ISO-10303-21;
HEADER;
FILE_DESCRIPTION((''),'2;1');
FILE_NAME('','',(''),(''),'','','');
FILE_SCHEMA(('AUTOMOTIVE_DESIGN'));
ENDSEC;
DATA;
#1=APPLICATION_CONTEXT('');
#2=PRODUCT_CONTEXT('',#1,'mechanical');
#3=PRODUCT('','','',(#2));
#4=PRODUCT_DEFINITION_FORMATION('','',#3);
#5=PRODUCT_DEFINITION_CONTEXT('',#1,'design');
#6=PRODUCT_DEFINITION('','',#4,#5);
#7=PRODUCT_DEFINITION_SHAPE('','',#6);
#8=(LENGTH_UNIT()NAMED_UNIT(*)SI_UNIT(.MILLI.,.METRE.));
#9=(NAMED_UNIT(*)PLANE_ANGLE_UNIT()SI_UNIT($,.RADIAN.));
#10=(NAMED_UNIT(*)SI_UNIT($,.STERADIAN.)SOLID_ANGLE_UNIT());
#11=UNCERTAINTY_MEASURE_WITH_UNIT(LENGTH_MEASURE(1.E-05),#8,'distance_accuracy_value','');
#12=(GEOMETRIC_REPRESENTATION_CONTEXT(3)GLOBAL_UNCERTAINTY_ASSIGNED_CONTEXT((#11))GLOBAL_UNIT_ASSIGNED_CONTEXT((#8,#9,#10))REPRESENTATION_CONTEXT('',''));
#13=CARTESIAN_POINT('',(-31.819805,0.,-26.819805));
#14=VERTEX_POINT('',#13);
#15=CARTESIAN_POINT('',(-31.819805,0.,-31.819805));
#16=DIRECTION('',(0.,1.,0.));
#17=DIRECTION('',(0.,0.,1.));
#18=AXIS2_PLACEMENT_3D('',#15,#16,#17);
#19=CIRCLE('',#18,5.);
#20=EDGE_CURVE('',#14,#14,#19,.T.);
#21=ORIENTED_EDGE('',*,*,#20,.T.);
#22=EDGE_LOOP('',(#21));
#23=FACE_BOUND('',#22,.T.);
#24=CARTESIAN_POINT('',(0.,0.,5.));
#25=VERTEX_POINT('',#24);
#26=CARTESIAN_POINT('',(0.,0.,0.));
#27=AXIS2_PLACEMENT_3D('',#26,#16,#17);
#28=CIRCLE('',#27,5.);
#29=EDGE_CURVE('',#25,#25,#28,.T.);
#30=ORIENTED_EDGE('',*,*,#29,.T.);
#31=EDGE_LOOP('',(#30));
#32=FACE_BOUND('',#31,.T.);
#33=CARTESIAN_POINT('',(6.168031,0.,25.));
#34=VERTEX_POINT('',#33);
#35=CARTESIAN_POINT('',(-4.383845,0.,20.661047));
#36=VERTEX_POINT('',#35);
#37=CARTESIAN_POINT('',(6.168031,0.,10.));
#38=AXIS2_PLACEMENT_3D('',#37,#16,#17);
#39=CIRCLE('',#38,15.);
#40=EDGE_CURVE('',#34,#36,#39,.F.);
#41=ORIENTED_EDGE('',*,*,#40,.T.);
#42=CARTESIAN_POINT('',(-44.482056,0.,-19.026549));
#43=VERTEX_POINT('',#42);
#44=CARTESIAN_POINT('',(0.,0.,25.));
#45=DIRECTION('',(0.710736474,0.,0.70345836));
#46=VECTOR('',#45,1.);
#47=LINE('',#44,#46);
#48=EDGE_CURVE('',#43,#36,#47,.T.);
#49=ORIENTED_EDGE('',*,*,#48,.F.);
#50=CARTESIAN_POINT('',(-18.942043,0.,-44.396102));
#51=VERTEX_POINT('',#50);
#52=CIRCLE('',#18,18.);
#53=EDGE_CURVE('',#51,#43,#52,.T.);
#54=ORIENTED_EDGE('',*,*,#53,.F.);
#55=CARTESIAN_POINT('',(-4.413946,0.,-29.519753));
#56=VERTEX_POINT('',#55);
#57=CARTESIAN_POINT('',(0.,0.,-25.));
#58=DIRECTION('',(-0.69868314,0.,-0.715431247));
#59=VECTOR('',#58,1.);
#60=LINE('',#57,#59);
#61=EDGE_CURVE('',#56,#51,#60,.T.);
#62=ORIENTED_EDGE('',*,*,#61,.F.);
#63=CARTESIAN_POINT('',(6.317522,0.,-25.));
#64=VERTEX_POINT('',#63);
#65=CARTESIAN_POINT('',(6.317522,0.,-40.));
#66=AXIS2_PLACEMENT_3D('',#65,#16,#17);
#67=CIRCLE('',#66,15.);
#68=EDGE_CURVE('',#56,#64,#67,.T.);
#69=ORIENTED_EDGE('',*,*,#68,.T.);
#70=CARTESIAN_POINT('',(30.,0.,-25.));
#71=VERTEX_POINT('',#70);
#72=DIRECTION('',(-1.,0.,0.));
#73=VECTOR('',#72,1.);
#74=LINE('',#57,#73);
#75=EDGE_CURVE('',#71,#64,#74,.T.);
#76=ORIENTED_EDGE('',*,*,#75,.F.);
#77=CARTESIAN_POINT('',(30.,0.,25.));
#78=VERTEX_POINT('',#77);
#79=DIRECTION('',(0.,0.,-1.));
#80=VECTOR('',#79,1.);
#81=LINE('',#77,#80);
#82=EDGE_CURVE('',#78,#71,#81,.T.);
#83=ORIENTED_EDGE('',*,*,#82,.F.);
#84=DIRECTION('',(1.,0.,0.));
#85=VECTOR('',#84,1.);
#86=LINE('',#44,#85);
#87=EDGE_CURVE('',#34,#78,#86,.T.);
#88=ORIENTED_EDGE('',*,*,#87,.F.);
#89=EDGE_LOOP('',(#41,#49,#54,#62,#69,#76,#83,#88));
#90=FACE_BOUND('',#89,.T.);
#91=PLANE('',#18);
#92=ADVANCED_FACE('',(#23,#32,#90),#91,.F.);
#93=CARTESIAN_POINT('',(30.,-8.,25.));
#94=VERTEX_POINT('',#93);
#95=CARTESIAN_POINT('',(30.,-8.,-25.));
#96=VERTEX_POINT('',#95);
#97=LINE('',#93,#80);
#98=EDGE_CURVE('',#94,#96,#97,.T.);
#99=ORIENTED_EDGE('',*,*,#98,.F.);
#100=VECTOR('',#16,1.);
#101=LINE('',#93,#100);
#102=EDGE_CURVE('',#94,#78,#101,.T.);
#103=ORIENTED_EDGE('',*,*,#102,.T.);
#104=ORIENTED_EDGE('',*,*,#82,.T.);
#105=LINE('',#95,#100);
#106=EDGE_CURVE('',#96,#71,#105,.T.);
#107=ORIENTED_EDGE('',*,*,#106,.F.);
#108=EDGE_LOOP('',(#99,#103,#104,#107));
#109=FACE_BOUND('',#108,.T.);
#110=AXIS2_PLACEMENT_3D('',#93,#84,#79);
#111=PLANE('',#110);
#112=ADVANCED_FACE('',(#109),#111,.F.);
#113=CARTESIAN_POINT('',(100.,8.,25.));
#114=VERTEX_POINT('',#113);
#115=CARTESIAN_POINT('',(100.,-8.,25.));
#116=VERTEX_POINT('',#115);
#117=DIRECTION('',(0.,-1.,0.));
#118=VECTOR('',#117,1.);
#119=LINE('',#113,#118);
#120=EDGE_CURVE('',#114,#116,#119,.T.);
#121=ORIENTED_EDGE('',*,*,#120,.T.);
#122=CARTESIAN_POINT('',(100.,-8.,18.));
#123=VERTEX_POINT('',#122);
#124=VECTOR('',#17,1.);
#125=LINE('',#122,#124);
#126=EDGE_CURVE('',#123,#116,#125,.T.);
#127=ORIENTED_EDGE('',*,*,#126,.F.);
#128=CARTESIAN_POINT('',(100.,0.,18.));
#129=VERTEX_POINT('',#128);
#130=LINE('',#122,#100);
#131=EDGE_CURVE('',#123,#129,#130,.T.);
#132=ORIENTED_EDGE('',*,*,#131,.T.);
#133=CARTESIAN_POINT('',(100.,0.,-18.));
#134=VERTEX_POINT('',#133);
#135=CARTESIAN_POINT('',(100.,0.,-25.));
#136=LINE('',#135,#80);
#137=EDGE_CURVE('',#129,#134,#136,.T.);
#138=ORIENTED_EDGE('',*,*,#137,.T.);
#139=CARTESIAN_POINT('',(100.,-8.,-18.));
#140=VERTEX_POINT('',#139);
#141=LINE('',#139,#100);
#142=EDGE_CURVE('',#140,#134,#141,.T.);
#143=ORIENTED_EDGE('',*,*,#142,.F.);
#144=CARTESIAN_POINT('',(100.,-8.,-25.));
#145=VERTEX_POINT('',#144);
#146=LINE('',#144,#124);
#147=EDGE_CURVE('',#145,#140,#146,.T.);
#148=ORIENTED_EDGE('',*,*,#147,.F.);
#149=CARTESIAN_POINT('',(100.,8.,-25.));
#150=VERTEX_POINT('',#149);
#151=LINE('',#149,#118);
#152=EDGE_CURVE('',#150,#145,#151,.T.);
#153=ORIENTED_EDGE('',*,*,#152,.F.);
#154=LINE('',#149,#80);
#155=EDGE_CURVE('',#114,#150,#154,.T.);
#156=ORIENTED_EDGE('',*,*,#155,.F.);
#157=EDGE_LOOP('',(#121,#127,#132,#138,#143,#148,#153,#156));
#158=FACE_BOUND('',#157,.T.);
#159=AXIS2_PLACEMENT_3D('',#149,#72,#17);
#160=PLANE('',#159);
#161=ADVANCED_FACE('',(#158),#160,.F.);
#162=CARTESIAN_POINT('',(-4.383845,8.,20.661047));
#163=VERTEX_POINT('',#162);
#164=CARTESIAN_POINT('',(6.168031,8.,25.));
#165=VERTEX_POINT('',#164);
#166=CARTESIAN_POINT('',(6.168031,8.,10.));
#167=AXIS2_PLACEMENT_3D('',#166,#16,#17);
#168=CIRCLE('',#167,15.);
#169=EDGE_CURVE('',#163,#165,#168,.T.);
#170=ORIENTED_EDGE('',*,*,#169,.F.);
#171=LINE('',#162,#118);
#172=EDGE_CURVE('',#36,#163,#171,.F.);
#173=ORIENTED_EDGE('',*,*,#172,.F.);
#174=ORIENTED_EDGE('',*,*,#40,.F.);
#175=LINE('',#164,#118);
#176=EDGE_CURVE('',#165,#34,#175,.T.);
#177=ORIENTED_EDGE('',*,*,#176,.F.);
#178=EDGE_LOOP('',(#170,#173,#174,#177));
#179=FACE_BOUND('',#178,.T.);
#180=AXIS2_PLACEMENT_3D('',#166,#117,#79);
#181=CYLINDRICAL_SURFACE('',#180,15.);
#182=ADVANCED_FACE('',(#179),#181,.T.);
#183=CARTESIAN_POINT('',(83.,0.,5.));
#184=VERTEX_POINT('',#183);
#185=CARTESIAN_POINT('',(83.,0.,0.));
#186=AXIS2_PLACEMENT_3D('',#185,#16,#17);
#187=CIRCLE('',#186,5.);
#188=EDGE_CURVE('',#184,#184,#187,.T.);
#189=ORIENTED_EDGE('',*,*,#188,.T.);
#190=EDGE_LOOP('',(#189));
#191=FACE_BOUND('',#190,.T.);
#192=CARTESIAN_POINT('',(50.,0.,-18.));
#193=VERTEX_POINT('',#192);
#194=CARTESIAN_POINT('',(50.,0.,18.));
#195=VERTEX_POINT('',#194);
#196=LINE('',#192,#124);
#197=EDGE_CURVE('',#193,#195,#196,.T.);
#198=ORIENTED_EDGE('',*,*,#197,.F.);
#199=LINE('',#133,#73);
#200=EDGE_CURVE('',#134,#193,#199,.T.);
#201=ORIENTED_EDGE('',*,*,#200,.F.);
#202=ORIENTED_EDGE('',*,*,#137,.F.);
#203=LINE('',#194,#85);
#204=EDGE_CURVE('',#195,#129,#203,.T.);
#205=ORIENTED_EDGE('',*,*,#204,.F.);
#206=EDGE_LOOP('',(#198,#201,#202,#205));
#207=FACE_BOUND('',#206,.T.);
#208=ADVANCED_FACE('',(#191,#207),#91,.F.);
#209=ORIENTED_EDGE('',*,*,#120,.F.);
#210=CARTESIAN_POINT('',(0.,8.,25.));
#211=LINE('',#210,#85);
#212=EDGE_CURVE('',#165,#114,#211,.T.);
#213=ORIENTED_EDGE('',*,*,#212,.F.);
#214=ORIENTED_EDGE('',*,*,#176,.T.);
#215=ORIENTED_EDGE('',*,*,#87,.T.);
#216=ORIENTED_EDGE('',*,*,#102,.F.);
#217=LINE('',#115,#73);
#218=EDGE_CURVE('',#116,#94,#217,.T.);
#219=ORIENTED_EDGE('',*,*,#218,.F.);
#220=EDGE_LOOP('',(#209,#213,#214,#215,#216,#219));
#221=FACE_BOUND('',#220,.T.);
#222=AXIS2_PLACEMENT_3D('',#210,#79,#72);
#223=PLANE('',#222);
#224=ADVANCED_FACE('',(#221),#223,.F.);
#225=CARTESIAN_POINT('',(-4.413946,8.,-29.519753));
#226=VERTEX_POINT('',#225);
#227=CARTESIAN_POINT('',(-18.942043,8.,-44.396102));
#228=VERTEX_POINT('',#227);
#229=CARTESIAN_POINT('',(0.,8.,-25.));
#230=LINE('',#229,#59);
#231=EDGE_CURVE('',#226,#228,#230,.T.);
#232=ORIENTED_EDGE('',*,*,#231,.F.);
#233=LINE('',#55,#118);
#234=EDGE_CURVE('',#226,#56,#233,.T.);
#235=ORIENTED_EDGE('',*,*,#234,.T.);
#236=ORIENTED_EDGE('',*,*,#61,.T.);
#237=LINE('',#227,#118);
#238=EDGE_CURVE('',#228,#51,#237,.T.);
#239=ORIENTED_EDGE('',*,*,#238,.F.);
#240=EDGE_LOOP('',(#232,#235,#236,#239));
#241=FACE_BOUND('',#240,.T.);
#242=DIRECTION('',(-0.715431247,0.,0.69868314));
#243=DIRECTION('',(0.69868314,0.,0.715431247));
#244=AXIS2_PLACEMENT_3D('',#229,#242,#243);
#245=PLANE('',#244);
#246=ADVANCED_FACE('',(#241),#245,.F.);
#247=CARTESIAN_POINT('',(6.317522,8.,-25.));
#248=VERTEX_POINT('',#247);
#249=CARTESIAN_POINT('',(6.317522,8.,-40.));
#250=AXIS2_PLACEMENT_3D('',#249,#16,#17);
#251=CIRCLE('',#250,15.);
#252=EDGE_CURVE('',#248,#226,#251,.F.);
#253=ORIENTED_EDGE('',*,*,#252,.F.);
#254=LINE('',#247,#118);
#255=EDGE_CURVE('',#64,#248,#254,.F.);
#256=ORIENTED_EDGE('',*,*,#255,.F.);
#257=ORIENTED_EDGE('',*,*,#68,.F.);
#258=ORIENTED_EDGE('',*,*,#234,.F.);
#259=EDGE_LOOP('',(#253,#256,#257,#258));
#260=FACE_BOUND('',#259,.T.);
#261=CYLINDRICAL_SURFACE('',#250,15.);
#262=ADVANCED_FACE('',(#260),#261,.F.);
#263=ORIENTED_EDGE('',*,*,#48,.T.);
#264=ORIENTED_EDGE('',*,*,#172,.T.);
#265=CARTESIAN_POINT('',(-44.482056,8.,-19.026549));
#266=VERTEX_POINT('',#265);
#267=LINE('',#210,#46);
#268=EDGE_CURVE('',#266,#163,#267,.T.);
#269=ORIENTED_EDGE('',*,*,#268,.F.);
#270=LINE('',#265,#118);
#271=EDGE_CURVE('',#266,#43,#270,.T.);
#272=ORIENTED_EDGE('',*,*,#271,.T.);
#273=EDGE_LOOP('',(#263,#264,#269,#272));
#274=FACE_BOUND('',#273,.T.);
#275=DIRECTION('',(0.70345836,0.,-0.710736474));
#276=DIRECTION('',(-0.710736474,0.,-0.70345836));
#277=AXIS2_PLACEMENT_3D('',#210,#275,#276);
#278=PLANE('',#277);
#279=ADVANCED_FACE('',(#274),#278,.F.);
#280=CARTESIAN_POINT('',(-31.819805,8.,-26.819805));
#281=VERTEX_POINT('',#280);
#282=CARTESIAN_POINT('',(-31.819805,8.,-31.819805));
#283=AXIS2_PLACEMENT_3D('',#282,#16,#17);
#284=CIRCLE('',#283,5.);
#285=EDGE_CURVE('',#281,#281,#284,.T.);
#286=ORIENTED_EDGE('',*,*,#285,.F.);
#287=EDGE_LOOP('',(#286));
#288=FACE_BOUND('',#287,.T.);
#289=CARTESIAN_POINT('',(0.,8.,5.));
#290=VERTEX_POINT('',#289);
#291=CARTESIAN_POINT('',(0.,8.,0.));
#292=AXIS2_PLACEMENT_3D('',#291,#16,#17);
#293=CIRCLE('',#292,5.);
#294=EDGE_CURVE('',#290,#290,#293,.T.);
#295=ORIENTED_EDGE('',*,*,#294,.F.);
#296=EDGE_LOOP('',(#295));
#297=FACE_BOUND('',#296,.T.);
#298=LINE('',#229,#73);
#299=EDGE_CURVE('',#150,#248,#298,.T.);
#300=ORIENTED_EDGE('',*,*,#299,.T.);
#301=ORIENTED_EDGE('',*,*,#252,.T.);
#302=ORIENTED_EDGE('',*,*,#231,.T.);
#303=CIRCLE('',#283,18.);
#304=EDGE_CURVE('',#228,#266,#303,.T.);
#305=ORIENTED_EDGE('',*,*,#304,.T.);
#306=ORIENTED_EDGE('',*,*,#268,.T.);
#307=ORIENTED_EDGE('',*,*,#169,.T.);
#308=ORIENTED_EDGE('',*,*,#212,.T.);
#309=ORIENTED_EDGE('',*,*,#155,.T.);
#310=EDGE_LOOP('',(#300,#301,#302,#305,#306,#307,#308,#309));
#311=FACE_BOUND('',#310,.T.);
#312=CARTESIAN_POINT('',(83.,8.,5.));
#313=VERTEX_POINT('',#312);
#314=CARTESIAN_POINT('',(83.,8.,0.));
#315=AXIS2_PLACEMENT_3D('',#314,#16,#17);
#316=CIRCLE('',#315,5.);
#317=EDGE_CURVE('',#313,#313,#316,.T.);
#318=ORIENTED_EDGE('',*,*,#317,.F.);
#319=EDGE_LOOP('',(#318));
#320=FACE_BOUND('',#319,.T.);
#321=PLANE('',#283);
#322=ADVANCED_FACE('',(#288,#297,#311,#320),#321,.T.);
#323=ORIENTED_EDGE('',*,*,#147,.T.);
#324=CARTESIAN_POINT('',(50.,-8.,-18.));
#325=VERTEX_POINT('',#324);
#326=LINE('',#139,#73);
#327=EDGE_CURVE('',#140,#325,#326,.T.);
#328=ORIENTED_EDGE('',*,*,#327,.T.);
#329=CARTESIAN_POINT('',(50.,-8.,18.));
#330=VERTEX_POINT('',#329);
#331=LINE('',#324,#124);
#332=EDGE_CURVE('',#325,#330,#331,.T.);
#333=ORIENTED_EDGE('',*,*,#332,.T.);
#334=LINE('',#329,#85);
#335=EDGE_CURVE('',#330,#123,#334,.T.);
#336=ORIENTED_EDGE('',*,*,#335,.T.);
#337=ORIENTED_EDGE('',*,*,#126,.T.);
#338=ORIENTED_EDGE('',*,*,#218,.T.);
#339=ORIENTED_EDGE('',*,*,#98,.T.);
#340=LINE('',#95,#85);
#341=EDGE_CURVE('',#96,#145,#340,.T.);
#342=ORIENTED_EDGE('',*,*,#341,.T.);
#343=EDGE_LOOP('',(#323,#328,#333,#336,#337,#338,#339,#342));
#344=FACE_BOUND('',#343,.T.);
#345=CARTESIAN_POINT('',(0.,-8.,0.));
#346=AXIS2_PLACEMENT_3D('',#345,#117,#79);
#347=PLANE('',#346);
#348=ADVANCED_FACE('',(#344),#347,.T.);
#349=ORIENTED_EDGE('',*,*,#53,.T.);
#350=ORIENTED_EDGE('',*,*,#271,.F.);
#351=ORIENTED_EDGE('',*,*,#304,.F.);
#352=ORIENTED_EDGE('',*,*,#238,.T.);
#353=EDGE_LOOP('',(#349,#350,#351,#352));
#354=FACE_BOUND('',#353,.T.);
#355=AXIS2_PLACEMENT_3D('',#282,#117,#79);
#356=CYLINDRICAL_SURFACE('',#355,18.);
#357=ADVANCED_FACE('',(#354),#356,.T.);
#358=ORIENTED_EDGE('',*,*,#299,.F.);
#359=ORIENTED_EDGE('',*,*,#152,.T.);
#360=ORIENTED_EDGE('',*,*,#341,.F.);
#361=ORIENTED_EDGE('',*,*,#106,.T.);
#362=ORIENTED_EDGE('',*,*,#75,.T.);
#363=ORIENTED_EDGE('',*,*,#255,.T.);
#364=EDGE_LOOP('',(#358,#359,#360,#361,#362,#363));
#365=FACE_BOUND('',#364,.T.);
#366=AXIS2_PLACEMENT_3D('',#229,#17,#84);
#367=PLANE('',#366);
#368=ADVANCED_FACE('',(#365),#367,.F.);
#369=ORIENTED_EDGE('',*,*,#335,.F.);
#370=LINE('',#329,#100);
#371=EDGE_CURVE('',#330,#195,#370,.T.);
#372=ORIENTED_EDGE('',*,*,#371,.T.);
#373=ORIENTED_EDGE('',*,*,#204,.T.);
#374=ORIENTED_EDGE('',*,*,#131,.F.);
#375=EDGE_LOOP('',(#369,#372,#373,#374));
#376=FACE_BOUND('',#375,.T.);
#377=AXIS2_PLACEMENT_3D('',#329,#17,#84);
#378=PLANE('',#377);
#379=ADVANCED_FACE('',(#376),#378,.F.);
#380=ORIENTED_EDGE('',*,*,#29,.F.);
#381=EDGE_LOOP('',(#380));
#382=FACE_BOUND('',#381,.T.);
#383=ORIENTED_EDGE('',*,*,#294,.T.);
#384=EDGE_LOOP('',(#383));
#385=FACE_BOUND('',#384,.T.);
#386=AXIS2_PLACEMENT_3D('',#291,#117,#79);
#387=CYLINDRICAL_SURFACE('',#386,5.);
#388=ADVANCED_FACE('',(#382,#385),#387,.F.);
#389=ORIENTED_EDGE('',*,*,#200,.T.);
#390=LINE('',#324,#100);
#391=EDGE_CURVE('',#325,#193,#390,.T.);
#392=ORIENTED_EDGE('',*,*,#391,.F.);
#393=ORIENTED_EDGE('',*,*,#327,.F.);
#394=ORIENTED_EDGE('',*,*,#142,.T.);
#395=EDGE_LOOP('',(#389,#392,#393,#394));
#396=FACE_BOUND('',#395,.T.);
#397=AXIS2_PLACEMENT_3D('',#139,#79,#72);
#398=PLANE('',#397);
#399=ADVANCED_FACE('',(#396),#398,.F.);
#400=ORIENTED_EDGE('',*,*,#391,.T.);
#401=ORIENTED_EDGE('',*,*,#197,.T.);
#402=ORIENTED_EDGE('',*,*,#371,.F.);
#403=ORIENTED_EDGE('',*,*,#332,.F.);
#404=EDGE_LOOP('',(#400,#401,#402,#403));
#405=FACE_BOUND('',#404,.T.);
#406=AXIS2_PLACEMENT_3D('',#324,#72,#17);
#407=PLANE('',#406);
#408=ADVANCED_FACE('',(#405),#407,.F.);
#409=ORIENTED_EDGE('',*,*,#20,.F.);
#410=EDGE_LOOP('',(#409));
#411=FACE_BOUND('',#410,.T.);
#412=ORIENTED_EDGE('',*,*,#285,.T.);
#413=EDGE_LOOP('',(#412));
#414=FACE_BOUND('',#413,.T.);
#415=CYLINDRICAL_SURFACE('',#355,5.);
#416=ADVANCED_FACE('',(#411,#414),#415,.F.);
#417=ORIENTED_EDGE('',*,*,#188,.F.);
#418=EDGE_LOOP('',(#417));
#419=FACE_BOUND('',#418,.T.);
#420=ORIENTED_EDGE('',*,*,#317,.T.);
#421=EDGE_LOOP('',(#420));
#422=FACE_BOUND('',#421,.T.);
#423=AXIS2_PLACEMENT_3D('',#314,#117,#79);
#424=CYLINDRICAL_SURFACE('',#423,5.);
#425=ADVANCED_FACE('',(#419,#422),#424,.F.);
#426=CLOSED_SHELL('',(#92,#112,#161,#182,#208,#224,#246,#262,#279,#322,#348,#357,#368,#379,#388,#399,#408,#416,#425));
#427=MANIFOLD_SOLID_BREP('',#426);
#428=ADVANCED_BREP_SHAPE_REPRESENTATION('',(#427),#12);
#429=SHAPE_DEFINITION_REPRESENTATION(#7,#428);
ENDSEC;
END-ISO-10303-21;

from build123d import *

# Parameters (mm, degrees)
SKETCH1_R           = 5
BOSS_EXTRUDE1_DEPTH = 8
BOSS_EXTRUDE2_DEPTH = 8
FILLET1_R           = 15


with BuildPart() as part:
    # Sketch1 → Boss-Extrude1 (new body)
    with BuildSketch(Plane(origin=(0, 0, 0), x_dir=(1, 0, 0), z_dir=(0, 1, 0))):
        with BuildLine():
            Line((0, -25), (100, -25))
            Line((100, -25), (100, 25))
            Line((100, 25), (0, 25))
            Line((0, 25), (-18.942042706, 44.396101681))
            ThreePointArc((-18.942042706, 44.396101681), (-44.505039362, 44.590272375), (-44.48205564, 19.026548624))
            Line((-44.48205564, 19.026548624), (0, -25))
        make_face()
        with Locations((-31.819805153, 31.819805153)):
            Circle(SKETCH1_R, mode=Mode.SUBTRACT)
        Circle(SKETCH1_R, mode=Mode.SUBTRACT)
        with Locations((83, 0)):
            Circle(SKETCH1_R, mode=Mode.SUBTRACT)
    extrude(amount=BOSS_EXTRUDE1_DEPTH)

    # Sketch2 → Boss-Extrude2 (add)
    with BuildSketch(Plane.XZ):
        Polygon((100, 25), (30, 25), (30, -25), (100, -25), (100, -18), (50, -18), (50, 18), (100, 18), align=None)
    extrude(amount=BOSS_EXTRUDE2_DEPTH)

    # Fillet1
    fillet1_edges = [part.edges().sort_by_distance(p)[0] for p in [
        (0, 4, -25),
        (0, 4, 25),
    ]]
    fillet(fillet1_edges, radius=FILLET1_R)


solid = part.part
